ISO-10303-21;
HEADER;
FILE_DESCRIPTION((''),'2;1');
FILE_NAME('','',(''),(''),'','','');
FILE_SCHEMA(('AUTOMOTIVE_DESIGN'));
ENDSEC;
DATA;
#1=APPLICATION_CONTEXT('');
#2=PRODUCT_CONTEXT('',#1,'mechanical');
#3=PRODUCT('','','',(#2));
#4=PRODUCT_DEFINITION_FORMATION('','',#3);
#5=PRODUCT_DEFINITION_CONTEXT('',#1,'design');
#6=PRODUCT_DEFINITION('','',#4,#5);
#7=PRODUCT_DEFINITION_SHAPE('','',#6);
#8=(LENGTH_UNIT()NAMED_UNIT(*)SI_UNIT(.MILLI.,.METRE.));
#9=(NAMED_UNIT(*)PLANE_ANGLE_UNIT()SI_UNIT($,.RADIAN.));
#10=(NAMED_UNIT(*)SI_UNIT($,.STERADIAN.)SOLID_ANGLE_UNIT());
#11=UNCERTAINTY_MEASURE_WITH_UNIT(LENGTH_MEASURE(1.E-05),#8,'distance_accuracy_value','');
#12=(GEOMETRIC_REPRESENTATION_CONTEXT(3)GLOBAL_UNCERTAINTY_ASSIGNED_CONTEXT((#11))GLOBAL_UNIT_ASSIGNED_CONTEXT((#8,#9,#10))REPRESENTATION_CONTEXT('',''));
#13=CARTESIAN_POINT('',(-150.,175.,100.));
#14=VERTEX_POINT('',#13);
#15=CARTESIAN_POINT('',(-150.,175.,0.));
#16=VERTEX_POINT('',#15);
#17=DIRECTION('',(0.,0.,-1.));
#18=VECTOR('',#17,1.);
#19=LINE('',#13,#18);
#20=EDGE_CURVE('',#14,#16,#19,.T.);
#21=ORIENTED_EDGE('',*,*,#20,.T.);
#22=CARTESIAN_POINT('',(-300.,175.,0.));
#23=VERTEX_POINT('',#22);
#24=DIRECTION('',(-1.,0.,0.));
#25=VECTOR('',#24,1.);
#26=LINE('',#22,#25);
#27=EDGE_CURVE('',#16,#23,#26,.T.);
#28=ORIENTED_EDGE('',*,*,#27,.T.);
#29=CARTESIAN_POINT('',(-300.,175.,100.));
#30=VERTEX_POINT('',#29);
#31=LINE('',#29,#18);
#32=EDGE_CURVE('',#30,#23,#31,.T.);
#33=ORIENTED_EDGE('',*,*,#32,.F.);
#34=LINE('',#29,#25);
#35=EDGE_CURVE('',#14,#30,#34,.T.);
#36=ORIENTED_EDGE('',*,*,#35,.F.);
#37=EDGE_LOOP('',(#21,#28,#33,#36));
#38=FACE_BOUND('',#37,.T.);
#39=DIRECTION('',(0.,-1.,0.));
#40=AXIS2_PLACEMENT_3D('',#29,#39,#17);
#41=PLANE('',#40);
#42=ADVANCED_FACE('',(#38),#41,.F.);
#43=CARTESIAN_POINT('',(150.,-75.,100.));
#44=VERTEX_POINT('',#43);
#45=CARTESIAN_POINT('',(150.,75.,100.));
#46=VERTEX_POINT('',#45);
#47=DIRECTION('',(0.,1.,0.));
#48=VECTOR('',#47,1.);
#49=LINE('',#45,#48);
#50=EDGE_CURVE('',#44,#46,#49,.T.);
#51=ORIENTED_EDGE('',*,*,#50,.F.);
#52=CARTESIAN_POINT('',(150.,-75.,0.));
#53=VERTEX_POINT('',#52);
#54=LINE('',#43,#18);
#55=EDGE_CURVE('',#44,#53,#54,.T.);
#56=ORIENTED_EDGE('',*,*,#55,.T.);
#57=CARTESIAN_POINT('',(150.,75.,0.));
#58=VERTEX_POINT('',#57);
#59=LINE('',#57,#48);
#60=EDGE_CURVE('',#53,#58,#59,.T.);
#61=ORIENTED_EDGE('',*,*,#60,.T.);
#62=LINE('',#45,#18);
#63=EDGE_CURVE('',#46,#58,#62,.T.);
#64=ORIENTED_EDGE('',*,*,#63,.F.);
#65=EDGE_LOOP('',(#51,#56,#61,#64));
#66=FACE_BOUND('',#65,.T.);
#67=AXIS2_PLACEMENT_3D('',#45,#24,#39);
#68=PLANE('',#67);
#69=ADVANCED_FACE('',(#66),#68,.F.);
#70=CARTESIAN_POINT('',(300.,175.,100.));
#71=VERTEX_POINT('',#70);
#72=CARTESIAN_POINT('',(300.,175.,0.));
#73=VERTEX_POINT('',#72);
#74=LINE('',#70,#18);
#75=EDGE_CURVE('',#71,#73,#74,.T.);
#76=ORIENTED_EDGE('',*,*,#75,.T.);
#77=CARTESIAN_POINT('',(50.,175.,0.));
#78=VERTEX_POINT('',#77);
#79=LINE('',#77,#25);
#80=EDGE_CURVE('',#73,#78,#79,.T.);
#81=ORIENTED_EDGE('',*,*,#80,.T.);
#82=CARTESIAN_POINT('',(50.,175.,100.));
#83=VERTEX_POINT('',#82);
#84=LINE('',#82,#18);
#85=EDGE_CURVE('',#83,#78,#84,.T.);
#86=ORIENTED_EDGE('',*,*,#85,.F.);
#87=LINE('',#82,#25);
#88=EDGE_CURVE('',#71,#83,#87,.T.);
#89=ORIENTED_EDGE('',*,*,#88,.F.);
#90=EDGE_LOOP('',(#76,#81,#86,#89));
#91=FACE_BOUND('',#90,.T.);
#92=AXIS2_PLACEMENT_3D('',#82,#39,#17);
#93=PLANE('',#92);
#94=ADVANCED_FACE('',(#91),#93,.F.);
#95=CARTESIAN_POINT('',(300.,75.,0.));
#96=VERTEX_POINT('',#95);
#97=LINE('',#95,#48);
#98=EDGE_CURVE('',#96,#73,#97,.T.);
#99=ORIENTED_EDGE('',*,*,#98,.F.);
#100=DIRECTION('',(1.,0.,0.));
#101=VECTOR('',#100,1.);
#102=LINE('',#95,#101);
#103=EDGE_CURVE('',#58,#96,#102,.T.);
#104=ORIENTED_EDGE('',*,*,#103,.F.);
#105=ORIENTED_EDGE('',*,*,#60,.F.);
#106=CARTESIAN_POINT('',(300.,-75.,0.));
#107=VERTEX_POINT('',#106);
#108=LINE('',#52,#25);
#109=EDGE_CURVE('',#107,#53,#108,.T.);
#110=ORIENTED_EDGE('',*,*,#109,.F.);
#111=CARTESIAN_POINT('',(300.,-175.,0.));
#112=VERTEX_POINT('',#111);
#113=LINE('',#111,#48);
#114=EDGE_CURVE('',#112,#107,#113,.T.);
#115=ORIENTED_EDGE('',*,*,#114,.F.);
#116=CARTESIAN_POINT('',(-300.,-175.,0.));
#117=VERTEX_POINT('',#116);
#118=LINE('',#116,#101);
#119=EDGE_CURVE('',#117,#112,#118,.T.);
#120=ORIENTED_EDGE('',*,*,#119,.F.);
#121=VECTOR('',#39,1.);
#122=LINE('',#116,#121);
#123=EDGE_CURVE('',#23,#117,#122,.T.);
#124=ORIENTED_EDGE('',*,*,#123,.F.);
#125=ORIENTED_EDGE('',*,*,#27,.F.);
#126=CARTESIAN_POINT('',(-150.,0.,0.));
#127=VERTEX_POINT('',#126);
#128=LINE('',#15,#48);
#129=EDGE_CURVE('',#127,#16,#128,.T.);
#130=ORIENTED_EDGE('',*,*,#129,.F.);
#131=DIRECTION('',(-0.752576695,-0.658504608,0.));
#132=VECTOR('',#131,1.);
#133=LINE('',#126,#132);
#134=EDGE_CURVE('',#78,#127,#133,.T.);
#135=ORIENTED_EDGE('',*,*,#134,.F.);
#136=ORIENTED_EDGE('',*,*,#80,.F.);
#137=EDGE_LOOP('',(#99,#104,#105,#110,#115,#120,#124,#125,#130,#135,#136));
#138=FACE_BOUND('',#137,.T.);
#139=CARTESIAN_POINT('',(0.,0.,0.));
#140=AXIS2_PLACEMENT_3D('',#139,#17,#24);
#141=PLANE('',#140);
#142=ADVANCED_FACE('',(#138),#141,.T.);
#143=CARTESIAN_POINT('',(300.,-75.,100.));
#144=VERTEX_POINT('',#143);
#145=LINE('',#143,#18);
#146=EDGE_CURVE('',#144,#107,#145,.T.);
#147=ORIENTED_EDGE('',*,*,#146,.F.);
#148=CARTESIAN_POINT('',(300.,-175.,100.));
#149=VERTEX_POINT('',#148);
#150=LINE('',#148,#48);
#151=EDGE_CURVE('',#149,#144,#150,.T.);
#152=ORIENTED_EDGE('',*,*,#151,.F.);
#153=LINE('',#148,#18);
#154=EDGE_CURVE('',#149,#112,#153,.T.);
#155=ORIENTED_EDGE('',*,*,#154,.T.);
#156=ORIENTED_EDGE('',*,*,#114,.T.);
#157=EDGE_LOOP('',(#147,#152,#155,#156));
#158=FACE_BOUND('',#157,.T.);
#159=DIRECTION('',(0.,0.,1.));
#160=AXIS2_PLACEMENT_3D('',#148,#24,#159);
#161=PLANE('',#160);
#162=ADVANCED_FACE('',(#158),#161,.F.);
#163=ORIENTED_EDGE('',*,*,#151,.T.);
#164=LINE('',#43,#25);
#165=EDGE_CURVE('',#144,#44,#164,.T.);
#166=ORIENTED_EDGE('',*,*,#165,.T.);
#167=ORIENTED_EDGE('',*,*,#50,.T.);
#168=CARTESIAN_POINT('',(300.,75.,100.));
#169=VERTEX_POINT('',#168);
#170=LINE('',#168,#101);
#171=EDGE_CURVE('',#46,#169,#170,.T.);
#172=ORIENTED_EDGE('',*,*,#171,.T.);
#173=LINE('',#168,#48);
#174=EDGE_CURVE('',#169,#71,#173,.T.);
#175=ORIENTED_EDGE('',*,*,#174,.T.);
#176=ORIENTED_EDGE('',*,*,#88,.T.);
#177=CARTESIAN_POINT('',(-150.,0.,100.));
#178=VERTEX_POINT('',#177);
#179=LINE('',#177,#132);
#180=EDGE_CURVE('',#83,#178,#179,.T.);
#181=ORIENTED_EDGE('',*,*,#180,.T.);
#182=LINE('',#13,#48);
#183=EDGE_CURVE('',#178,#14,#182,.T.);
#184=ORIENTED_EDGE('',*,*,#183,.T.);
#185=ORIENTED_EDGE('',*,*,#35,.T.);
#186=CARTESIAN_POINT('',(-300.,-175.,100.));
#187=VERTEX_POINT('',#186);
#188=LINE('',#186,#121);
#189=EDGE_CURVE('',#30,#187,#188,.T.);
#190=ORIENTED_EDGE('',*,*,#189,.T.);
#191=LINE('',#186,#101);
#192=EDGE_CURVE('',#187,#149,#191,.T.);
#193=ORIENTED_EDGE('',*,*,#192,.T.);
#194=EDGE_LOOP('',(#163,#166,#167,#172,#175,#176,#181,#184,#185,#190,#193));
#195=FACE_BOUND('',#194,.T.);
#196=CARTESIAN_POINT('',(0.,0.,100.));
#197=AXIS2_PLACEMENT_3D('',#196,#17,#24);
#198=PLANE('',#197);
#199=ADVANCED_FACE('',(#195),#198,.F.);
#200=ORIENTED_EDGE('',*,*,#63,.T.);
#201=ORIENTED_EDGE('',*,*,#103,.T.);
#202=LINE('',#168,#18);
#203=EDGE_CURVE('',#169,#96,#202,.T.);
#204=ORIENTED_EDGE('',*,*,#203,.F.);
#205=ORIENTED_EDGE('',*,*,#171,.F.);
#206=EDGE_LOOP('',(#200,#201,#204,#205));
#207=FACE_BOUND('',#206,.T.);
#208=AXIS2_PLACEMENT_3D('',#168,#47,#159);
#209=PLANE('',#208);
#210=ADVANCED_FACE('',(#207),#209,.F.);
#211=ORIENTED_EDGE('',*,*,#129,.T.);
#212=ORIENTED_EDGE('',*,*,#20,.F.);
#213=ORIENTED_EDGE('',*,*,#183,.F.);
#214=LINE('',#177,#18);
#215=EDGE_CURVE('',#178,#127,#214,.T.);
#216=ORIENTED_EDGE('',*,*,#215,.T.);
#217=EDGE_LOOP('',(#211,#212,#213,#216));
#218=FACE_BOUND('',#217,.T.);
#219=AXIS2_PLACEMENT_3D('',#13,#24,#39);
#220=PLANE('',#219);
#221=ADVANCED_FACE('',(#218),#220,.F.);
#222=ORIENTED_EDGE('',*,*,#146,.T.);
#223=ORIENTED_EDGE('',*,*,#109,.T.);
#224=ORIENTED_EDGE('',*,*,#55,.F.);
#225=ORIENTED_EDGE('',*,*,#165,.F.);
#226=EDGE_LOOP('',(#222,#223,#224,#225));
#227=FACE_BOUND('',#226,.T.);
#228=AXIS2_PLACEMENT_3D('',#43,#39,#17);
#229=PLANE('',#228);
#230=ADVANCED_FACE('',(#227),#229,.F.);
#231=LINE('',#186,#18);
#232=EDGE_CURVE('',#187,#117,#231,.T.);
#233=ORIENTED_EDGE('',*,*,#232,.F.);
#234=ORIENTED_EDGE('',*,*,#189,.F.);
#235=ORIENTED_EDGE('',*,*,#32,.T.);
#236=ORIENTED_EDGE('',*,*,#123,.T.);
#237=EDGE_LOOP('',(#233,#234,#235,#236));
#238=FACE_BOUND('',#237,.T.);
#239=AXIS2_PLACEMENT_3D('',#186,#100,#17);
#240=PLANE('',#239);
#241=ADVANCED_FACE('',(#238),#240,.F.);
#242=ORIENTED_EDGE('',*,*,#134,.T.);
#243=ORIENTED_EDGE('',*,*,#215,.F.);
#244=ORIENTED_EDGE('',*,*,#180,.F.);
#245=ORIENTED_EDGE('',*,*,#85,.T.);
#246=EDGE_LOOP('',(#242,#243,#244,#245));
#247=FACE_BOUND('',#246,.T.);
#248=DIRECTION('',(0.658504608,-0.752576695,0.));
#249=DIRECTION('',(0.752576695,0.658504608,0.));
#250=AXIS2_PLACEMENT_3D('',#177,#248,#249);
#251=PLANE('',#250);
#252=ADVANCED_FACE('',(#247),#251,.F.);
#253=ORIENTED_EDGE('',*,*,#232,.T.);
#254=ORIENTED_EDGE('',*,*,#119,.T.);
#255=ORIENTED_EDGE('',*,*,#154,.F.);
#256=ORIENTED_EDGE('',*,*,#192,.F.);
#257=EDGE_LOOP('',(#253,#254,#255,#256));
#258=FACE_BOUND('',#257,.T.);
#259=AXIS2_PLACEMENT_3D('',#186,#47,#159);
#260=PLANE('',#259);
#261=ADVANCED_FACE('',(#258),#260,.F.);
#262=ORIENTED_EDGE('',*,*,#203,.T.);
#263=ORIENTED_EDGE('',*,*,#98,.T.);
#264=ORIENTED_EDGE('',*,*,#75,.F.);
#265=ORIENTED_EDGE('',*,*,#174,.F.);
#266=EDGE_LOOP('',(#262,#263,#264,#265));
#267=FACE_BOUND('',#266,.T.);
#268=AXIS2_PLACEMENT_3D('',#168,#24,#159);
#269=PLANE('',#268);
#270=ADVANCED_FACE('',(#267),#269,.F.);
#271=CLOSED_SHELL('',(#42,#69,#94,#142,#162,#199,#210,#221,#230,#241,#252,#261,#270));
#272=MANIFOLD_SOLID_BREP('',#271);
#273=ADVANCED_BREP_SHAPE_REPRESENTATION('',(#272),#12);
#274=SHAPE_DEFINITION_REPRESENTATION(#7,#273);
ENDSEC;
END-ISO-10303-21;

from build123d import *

# Parameters (mm, degrees)
BOSS_EXTRUDE1_DEPTH = 100


with BuildPart() as part:
    # Sketch1 → Boss-Extrude1 (new body)
    with BuildSketch(Plane.XY):
        Polygon((300, 75), (150, 75), (150, -75), (300, -75), (300, -175), (-300, -175), (-300, 175), (-150, 175), (-150, 0), (50, 175), (300, 175), align=None)
    extrude(amount=BOSS_EXTRUDE1_DEPTH)


solid = part.part
